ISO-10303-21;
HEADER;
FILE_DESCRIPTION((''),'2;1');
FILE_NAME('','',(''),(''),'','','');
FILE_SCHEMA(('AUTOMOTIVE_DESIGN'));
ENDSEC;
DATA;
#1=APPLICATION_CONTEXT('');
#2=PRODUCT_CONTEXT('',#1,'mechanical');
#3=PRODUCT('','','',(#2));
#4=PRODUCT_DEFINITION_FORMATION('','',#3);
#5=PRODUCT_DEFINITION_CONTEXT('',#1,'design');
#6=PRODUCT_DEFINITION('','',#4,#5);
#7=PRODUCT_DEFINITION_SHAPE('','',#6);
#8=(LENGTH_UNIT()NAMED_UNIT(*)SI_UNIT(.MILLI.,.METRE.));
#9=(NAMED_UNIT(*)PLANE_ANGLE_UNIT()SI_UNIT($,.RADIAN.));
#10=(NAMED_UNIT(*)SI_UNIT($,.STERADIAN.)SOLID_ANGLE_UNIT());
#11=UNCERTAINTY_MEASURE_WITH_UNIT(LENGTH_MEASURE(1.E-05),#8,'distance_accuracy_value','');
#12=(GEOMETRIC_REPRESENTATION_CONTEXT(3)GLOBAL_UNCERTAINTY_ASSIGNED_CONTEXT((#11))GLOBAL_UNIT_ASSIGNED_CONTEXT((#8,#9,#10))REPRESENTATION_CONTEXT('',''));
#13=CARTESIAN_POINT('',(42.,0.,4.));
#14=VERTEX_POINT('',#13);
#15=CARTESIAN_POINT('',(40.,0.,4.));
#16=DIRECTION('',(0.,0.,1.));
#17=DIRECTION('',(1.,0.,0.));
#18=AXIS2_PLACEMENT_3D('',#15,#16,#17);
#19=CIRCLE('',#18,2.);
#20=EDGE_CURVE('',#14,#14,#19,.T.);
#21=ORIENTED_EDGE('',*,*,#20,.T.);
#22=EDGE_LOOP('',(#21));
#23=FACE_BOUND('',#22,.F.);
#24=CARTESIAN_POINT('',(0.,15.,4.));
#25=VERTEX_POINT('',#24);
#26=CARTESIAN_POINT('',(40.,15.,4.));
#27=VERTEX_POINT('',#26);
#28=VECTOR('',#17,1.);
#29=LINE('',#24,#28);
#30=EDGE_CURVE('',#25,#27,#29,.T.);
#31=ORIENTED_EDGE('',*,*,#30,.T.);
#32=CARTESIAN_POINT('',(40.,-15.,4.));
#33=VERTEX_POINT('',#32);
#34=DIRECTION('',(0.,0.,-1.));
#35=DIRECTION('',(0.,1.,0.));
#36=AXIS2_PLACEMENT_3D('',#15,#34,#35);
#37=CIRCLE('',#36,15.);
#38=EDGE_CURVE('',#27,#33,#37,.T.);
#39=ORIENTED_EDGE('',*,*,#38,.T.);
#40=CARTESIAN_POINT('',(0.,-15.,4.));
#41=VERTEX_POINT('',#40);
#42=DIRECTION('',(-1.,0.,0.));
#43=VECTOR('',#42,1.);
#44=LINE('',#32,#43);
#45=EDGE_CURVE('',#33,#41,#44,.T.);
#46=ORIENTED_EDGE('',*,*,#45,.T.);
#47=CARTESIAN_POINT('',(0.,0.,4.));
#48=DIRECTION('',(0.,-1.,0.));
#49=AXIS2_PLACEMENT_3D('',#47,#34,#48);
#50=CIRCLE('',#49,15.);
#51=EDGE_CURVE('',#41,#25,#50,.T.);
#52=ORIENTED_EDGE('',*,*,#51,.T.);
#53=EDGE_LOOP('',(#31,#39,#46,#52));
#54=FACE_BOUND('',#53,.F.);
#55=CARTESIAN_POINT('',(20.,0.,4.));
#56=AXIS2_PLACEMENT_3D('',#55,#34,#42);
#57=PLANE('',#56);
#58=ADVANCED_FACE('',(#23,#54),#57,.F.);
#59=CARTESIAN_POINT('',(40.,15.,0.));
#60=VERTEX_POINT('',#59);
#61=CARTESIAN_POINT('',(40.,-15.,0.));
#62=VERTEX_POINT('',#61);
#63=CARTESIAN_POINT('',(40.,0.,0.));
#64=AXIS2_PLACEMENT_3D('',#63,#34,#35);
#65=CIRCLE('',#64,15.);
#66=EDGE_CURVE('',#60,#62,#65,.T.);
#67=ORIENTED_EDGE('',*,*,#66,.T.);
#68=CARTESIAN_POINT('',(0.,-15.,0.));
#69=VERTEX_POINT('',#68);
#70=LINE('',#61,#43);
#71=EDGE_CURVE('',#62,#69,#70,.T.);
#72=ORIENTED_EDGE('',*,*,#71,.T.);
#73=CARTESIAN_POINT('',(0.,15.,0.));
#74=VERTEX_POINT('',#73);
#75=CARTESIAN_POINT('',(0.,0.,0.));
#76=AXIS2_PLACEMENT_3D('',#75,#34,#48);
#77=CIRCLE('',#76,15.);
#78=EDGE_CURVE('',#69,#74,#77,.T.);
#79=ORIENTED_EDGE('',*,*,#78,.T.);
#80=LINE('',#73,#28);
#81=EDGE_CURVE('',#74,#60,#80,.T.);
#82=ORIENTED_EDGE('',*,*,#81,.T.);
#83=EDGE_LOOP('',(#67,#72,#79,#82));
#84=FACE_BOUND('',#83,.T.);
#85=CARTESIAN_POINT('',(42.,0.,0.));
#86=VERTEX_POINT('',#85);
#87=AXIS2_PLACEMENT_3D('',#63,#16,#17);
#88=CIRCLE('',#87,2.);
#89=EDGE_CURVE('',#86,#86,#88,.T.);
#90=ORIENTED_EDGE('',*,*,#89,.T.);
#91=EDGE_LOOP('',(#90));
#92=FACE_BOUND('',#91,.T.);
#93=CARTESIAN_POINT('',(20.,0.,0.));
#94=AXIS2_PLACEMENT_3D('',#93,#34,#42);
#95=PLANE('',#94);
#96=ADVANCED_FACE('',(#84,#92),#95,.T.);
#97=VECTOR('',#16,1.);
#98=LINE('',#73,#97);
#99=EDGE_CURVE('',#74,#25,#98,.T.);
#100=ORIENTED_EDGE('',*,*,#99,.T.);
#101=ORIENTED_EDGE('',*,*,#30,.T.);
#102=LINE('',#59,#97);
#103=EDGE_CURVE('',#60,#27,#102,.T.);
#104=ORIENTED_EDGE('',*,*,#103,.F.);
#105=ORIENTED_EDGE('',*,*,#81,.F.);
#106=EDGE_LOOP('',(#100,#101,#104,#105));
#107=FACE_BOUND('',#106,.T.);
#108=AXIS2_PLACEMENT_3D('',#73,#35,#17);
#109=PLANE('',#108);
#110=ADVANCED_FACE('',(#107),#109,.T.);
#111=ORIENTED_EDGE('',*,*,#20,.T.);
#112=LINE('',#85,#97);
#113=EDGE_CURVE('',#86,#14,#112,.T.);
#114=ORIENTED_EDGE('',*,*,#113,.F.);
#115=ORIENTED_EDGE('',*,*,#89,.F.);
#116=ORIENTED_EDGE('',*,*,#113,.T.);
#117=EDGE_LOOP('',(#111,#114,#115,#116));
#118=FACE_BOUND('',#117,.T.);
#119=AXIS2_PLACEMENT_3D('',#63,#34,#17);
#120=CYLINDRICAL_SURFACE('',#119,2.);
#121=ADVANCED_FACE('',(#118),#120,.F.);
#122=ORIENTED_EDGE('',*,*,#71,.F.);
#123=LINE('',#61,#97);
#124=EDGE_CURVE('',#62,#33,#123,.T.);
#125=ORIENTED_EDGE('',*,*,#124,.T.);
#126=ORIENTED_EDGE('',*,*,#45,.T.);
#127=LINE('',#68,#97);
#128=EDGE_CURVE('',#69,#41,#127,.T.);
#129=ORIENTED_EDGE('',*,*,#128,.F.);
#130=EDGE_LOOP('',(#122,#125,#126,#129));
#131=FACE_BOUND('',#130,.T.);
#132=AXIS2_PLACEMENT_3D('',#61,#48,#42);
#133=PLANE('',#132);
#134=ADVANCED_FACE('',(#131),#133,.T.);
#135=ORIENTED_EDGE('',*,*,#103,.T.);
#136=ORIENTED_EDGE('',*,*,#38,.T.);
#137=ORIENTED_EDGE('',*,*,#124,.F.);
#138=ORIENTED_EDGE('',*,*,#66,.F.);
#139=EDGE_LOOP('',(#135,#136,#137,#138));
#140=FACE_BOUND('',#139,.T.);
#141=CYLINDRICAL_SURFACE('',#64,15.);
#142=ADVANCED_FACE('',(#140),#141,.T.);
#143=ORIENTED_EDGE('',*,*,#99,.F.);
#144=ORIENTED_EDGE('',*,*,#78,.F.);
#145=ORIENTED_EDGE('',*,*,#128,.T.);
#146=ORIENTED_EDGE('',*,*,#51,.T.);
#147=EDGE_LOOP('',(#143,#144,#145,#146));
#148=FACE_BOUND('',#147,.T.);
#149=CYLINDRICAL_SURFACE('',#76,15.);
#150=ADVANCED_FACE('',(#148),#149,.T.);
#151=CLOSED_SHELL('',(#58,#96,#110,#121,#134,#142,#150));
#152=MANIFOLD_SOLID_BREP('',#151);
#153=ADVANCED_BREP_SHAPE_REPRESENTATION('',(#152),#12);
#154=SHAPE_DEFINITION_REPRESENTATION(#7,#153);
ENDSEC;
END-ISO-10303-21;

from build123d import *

# Parameters (mm, degrees)
ESQUISSE1_R        = 2
BOSS_EXTRU_1_DEPTH = 4


with BuildPart() as part:
    # Esquisse1 → Boss.-Extru.1 (new body)
    with BuildSketch(Plane.XY):
        with BuildLine():
            Line((0, 15), (40, 15))
            ThreePointArc((40, 15), (55, 0), (40, -15))
            Line((40, -15), (0, -15))
            ThreePointArc((0, -15), (-15, 0), (0, 15))
        make_face()
        with Locations((40, 0)):
            Circle(ESQUISSE1_R, mode=Mode.SUBTRACT)
    extrude(amount=BOSS_EXTRU_1_DEPTH)


solid = part.part
